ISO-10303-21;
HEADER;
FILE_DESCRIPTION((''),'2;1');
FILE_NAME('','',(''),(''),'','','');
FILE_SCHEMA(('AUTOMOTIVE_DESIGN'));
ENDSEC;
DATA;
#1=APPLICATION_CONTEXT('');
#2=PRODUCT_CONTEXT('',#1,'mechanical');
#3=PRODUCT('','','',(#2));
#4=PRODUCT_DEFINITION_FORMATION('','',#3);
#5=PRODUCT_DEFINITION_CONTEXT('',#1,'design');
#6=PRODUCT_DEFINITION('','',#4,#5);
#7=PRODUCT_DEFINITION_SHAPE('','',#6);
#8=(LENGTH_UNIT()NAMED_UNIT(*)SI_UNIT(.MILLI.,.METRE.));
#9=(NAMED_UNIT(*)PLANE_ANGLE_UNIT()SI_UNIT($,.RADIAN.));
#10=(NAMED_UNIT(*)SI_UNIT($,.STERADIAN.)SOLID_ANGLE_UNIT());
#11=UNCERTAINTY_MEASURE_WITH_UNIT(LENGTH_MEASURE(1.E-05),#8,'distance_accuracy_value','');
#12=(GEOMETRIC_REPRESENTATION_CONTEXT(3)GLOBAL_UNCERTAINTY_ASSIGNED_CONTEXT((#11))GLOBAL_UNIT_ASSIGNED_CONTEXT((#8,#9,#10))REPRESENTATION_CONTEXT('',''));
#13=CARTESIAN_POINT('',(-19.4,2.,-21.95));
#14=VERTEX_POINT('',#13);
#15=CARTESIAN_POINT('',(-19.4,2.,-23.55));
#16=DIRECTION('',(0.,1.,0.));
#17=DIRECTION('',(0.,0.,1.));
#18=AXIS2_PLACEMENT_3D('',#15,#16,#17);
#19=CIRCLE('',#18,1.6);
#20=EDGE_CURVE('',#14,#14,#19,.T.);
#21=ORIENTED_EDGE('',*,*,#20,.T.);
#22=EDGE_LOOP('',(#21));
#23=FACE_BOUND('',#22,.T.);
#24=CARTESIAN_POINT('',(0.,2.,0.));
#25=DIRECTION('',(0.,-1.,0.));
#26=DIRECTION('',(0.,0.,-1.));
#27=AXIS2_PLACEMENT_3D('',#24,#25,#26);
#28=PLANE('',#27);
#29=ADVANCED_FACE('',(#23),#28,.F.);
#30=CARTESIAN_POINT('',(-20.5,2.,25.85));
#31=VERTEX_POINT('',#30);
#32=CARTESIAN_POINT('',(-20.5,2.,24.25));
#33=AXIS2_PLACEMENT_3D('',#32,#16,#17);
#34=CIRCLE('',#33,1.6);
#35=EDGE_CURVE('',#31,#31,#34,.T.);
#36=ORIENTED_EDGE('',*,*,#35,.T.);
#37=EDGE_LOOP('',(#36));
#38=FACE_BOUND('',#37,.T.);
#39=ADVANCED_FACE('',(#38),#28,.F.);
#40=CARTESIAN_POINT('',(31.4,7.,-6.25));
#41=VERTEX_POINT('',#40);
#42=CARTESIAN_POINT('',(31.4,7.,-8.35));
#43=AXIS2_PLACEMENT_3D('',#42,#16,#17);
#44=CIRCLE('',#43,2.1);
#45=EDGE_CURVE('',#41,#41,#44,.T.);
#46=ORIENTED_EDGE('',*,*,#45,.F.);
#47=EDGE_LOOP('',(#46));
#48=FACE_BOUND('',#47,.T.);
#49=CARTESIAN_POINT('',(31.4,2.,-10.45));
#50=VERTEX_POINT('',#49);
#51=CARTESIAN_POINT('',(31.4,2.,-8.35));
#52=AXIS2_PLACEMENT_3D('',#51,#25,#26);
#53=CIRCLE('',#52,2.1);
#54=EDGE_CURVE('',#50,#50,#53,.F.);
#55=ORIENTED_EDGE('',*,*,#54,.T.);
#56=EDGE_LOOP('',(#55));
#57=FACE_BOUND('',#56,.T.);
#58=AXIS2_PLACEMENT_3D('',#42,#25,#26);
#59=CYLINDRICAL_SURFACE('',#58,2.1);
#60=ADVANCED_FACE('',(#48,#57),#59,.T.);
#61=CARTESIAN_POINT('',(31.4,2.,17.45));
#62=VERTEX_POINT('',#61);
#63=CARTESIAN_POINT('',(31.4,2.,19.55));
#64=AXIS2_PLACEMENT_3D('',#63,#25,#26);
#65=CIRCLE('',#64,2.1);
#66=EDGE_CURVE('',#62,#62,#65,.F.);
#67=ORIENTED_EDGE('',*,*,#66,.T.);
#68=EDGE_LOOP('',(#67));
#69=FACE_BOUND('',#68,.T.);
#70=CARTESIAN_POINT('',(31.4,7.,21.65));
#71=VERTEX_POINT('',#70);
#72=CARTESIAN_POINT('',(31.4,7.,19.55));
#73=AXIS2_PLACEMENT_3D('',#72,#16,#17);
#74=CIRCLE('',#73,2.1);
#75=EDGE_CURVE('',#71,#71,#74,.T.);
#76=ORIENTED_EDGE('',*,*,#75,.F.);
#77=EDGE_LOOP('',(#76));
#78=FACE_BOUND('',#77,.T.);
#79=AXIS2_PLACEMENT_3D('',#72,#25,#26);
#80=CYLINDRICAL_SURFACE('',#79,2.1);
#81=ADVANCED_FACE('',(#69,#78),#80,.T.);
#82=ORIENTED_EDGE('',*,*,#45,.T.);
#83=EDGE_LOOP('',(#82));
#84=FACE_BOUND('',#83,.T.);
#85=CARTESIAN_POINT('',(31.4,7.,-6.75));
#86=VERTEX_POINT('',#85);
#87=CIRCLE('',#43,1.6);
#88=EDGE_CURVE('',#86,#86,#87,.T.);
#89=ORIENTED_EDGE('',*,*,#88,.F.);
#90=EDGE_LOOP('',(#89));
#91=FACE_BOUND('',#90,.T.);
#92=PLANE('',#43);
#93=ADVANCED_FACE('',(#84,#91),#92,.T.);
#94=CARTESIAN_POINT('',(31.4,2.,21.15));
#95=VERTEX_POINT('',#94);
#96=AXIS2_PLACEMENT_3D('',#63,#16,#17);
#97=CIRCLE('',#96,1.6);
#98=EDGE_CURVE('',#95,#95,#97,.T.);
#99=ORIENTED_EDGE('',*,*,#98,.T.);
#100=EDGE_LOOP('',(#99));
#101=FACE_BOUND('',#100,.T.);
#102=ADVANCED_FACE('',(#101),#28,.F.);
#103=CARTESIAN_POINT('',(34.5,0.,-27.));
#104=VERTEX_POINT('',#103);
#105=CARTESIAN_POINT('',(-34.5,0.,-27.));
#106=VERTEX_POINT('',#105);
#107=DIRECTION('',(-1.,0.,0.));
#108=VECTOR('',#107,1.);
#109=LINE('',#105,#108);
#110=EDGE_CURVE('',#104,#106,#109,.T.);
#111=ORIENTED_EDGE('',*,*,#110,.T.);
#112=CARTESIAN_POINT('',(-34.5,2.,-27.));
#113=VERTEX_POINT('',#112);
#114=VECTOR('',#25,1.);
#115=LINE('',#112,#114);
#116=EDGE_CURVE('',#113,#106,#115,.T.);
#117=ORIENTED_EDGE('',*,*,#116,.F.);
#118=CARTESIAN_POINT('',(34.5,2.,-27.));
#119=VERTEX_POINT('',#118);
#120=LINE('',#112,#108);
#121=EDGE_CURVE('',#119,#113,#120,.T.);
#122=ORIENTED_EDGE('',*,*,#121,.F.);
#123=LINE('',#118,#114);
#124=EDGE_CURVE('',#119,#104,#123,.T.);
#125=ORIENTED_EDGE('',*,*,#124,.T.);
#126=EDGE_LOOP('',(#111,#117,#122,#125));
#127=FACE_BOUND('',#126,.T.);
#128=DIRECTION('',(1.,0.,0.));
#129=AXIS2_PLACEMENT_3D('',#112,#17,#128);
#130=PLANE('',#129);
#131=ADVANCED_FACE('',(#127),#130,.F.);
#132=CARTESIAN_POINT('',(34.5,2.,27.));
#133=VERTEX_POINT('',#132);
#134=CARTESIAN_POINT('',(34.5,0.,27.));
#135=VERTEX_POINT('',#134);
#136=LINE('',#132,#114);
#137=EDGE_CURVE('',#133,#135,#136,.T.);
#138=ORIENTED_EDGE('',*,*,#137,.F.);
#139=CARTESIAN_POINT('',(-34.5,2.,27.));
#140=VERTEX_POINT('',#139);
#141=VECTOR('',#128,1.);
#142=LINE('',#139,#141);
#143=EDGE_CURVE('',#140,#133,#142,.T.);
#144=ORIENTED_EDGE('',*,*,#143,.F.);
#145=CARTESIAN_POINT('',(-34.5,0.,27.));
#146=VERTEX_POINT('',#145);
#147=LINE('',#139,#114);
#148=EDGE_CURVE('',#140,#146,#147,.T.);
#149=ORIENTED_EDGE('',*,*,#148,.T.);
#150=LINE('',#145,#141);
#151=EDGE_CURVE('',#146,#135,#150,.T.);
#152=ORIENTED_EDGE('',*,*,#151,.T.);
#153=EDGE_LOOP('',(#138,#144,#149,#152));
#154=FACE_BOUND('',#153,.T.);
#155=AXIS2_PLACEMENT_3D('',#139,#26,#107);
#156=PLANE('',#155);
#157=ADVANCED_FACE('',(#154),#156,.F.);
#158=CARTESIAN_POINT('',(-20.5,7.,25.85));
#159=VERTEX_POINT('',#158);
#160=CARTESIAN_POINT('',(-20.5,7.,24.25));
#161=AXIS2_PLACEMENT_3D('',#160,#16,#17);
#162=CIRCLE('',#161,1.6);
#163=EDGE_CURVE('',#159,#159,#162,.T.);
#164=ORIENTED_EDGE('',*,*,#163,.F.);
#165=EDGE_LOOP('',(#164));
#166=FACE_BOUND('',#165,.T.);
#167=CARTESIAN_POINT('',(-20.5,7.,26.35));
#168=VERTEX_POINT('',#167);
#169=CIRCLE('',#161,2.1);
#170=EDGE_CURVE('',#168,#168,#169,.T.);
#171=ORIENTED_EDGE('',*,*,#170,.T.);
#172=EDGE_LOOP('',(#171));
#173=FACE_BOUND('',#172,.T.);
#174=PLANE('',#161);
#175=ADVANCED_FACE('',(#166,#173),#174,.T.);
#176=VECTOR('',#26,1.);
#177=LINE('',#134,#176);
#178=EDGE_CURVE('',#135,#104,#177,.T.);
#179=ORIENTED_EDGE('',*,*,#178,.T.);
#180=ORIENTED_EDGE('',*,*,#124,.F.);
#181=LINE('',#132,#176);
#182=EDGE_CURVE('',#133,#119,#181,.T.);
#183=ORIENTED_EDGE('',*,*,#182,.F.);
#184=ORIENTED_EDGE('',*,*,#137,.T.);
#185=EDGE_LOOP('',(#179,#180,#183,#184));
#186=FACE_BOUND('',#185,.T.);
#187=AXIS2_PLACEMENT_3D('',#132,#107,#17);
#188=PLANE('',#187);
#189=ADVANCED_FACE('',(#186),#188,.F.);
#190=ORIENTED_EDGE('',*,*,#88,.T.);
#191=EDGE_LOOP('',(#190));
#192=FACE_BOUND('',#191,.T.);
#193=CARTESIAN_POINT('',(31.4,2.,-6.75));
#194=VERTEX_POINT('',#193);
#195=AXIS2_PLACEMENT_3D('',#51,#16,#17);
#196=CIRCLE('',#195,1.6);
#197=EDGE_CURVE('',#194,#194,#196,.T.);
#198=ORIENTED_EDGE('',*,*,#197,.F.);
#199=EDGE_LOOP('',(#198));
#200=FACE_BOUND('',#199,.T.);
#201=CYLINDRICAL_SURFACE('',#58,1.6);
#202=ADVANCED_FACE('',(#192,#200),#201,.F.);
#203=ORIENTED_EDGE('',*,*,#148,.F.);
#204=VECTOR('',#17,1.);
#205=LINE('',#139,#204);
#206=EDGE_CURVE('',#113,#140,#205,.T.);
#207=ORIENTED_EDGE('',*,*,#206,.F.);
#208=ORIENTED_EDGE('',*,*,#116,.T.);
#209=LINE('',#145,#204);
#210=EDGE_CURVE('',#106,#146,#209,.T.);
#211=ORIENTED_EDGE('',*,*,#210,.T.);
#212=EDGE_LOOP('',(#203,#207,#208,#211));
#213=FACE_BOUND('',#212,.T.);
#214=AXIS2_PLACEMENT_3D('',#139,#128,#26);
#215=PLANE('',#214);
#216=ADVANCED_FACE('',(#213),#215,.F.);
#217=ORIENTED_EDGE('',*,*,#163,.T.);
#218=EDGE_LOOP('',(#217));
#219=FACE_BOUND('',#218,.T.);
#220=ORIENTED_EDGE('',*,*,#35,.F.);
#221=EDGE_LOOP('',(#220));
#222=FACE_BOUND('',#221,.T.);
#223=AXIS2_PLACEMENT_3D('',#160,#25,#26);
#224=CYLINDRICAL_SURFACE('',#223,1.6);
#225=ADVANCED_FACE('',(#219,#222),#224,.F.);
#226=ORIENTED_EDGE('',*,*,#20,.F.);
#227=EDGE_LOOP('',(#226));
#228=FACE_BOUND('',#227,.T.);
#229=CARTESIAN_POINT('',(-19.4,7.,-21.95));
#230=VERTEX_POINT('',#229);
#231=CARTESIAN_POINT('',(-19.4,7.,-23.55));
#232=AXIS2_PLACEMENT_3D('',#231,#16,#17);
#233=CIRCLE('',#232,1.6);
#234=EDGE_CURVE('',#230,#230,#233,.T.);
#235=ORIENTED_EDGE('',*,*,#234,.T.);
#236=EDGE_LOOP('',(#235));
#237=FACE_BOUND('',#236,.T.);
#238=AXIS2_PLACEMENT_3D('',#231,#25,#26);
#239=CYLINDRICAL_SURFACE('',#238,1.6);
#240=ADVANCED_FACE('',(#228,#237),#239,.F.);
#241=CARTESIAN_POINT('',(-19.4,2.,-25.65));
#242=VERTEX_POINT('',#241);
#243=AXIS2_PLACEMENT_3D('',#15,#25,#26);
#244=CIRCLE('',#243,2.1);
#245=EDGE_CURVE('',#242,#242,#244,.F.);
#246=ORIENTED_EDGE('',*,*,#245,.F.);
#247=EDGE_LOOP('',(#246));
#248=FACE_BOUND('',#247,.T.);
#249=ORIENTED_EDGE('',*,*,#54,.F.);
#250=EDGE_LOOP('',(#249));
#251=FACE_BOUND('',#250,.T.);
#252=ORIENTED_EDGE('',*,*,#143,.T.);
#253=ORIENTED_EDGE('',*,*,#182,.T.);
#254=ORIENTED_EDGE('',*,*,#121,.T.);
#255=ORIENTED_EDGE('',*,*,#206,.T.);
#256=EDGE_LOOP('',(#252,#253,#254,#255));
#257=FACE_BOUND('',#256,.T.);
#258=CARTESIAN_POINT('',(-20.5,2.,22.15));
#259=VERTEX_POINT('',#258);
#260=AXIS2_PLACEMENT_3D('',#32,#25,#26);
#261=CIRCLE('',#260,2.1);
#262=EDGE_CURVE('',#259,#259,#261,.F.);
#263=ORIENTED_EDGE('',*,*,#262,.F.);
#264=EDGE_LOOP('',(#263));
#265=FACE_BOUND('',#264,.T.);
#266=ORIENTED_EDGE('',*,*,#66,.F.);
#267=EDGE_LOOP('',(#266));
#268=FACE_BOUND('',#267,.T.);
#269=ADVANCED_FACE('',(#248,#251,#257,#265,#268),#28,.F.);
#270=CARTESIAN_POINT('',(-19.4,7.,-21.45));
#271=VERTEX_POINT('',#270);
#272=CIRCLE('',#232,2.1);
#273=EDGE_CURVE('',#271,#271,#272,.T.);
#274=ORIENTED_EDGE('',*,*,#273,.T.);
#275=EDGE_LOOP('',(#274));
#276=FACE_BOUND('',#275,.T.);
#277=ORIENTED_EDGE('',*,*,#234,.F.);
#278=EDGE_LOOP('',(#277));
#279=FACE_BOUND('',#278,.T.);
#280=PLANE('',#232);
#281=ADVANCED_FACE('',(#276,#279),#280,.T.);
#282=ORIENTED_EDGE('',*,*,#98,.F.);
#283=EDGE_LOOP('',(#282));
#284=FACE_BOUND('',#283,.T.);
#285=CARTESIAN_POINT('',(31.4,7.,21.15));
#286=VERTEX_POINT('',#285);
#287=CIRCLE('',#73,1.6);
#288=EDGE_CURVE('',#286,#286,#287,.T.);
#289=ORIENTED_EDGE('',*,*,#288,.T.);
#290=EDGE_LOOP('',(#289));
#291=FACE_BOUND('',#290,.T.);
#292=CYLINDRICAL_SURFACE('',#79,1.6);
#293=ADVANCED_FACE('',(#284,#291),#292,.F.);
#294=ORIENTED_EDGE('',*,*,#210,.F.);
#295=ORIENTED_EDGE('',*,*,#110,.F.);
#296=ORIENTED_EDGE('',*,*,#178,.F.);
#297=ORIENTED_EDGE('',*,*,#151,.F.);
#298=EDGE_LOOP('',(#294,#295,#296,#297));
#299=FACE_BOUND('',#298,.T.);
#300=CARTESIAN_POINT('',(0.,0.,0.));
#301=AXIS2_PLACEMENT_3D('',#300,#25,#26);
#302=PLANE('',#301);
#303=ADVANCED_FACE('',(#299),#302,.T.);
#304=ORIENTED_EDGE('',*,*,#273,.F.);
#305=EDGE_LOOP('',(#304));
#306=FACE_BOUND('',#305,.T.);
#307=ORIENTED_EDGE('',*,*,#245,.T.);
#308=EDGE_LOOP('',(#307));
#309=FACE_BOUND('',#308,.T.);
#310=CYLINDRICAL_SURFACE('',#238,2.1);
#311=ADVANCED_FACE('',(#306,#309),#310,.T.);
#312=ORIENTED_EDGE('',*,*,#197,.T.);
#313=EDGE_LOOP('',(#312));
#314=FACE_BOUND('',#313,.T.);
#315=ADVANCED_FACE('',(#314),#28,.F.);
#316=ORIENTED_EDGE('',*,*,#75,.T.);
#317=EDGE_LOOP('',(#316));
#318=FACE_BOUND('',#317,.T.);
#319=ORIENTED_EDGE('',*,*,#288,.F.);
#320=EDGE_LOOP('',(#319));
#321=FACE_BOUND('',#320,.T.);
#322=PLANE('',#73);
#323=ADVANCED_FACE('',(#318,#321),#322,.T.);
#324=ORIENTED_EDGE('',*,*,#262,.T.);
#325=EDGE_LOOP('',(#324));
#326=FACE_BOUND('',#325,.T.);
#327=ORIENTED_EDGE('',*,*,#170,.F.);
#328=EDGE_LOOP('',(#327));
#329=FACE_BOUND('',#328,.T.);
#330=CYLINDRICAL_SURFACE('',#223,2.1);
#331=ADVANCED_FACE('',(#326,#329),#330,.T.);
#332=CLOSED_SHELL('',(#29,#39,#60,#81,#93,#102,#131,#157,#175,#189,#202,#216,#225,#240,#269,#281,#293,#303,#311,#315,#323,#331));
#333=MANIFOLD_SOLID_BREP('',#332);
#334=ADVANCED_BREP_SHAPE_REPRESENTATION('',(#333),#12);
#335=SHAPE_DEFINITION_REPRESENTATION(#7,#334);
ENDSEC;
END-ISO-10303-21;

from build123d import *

# Parameters (mm, degrees)
SKETCH1_W           = 69
SKETCH1_H           = 54
BOSS_EXTRUDE1_DEPTH = 2
SKETCH2_R           = 2.1
SKETCH2_R_2         = 1.6
BOSS_EXTRUDE2_DEPTH = 5


with BuildPart() as part:
    # Sketch1 → Boss-Extrude1 (new body)
    with BuildSketch(Plane(origin=(0, 0, 0), x_dir=(1, 0, 0), z_dir=(0, 1, 0))):
        Rectangle(SKETCH1_W, SKETCH1_H)
    extrude(amount=BOSS_EXTRUDE1_DEPTH)

    # Sketch2 → Boss-Extrude2 (add)
    # profile 1 of 4: a face of its own
    with BuildSketch(Plane(origin=(0, 2, 0), x_dir=(1, 0, 0), z_dir=(0, 1, 0))):
        with Locations(Location((-19.4, 23.55, 0), (0, 0, 90))):
            Circle(SKETCH2_R)
        with Locations(Location((-19.4, 23.55, 0), (0, 0, 270))):
            Circle(SKETCH2_R_2, mode=Mode.SUBTRACT)
    # profile 2 of 4: a face of its own
    with BuildSketch(Plane(origin=(0, 2, 0), x_dir=(1, 0, 0), z_dir=(0, 1, 0))):
        with Locations(Location((31.4, 8.35, 0), (0, 0, 90))):
            Circle(SKETCH2_R)
        with Locations(Location((31.4, 8.35, 0), (0, 0, 270))):
            Circle(SKETCH2_R_2, mode=Mode.SUBTRACT)
    # profile 3 of 4: a face of its own
    with BuildSketch(Plane(origin=(0, 2, 0), x_dir=(1, 0, 0), z_dir=(0, 1, 0))):
        with Locations(Location((31.4, -19.55, 0), (0, 0, 90))):
            Circle(SKETCH2_R)
        with Locations(Location((31.4, -19.55, 0), (0, 0, 270))):
            Circle(SKETCH2_R_2, mode=Mode.SUBTRACT)
    # profile 4 of 4: a face of its own
    with BuildSketch(Plane(origin=(0, 2, 0), x_dir=(1, 0, 0), z_dir=(0, 1, 0))):
        with Locations(Location((-20.5, -24.25, 0), (0, 0, 90))):
            Circle(SKETCH2_R)
        with Locations(Location((-20.5, -24.25, 0), (0, 0, 270))):
            Circle(SKETCH2_R_2, mode=Mode.SUBTRACT)
    extrude(amount=BOSS_EXTRUDE2_DEPTH)


solid = part.part
